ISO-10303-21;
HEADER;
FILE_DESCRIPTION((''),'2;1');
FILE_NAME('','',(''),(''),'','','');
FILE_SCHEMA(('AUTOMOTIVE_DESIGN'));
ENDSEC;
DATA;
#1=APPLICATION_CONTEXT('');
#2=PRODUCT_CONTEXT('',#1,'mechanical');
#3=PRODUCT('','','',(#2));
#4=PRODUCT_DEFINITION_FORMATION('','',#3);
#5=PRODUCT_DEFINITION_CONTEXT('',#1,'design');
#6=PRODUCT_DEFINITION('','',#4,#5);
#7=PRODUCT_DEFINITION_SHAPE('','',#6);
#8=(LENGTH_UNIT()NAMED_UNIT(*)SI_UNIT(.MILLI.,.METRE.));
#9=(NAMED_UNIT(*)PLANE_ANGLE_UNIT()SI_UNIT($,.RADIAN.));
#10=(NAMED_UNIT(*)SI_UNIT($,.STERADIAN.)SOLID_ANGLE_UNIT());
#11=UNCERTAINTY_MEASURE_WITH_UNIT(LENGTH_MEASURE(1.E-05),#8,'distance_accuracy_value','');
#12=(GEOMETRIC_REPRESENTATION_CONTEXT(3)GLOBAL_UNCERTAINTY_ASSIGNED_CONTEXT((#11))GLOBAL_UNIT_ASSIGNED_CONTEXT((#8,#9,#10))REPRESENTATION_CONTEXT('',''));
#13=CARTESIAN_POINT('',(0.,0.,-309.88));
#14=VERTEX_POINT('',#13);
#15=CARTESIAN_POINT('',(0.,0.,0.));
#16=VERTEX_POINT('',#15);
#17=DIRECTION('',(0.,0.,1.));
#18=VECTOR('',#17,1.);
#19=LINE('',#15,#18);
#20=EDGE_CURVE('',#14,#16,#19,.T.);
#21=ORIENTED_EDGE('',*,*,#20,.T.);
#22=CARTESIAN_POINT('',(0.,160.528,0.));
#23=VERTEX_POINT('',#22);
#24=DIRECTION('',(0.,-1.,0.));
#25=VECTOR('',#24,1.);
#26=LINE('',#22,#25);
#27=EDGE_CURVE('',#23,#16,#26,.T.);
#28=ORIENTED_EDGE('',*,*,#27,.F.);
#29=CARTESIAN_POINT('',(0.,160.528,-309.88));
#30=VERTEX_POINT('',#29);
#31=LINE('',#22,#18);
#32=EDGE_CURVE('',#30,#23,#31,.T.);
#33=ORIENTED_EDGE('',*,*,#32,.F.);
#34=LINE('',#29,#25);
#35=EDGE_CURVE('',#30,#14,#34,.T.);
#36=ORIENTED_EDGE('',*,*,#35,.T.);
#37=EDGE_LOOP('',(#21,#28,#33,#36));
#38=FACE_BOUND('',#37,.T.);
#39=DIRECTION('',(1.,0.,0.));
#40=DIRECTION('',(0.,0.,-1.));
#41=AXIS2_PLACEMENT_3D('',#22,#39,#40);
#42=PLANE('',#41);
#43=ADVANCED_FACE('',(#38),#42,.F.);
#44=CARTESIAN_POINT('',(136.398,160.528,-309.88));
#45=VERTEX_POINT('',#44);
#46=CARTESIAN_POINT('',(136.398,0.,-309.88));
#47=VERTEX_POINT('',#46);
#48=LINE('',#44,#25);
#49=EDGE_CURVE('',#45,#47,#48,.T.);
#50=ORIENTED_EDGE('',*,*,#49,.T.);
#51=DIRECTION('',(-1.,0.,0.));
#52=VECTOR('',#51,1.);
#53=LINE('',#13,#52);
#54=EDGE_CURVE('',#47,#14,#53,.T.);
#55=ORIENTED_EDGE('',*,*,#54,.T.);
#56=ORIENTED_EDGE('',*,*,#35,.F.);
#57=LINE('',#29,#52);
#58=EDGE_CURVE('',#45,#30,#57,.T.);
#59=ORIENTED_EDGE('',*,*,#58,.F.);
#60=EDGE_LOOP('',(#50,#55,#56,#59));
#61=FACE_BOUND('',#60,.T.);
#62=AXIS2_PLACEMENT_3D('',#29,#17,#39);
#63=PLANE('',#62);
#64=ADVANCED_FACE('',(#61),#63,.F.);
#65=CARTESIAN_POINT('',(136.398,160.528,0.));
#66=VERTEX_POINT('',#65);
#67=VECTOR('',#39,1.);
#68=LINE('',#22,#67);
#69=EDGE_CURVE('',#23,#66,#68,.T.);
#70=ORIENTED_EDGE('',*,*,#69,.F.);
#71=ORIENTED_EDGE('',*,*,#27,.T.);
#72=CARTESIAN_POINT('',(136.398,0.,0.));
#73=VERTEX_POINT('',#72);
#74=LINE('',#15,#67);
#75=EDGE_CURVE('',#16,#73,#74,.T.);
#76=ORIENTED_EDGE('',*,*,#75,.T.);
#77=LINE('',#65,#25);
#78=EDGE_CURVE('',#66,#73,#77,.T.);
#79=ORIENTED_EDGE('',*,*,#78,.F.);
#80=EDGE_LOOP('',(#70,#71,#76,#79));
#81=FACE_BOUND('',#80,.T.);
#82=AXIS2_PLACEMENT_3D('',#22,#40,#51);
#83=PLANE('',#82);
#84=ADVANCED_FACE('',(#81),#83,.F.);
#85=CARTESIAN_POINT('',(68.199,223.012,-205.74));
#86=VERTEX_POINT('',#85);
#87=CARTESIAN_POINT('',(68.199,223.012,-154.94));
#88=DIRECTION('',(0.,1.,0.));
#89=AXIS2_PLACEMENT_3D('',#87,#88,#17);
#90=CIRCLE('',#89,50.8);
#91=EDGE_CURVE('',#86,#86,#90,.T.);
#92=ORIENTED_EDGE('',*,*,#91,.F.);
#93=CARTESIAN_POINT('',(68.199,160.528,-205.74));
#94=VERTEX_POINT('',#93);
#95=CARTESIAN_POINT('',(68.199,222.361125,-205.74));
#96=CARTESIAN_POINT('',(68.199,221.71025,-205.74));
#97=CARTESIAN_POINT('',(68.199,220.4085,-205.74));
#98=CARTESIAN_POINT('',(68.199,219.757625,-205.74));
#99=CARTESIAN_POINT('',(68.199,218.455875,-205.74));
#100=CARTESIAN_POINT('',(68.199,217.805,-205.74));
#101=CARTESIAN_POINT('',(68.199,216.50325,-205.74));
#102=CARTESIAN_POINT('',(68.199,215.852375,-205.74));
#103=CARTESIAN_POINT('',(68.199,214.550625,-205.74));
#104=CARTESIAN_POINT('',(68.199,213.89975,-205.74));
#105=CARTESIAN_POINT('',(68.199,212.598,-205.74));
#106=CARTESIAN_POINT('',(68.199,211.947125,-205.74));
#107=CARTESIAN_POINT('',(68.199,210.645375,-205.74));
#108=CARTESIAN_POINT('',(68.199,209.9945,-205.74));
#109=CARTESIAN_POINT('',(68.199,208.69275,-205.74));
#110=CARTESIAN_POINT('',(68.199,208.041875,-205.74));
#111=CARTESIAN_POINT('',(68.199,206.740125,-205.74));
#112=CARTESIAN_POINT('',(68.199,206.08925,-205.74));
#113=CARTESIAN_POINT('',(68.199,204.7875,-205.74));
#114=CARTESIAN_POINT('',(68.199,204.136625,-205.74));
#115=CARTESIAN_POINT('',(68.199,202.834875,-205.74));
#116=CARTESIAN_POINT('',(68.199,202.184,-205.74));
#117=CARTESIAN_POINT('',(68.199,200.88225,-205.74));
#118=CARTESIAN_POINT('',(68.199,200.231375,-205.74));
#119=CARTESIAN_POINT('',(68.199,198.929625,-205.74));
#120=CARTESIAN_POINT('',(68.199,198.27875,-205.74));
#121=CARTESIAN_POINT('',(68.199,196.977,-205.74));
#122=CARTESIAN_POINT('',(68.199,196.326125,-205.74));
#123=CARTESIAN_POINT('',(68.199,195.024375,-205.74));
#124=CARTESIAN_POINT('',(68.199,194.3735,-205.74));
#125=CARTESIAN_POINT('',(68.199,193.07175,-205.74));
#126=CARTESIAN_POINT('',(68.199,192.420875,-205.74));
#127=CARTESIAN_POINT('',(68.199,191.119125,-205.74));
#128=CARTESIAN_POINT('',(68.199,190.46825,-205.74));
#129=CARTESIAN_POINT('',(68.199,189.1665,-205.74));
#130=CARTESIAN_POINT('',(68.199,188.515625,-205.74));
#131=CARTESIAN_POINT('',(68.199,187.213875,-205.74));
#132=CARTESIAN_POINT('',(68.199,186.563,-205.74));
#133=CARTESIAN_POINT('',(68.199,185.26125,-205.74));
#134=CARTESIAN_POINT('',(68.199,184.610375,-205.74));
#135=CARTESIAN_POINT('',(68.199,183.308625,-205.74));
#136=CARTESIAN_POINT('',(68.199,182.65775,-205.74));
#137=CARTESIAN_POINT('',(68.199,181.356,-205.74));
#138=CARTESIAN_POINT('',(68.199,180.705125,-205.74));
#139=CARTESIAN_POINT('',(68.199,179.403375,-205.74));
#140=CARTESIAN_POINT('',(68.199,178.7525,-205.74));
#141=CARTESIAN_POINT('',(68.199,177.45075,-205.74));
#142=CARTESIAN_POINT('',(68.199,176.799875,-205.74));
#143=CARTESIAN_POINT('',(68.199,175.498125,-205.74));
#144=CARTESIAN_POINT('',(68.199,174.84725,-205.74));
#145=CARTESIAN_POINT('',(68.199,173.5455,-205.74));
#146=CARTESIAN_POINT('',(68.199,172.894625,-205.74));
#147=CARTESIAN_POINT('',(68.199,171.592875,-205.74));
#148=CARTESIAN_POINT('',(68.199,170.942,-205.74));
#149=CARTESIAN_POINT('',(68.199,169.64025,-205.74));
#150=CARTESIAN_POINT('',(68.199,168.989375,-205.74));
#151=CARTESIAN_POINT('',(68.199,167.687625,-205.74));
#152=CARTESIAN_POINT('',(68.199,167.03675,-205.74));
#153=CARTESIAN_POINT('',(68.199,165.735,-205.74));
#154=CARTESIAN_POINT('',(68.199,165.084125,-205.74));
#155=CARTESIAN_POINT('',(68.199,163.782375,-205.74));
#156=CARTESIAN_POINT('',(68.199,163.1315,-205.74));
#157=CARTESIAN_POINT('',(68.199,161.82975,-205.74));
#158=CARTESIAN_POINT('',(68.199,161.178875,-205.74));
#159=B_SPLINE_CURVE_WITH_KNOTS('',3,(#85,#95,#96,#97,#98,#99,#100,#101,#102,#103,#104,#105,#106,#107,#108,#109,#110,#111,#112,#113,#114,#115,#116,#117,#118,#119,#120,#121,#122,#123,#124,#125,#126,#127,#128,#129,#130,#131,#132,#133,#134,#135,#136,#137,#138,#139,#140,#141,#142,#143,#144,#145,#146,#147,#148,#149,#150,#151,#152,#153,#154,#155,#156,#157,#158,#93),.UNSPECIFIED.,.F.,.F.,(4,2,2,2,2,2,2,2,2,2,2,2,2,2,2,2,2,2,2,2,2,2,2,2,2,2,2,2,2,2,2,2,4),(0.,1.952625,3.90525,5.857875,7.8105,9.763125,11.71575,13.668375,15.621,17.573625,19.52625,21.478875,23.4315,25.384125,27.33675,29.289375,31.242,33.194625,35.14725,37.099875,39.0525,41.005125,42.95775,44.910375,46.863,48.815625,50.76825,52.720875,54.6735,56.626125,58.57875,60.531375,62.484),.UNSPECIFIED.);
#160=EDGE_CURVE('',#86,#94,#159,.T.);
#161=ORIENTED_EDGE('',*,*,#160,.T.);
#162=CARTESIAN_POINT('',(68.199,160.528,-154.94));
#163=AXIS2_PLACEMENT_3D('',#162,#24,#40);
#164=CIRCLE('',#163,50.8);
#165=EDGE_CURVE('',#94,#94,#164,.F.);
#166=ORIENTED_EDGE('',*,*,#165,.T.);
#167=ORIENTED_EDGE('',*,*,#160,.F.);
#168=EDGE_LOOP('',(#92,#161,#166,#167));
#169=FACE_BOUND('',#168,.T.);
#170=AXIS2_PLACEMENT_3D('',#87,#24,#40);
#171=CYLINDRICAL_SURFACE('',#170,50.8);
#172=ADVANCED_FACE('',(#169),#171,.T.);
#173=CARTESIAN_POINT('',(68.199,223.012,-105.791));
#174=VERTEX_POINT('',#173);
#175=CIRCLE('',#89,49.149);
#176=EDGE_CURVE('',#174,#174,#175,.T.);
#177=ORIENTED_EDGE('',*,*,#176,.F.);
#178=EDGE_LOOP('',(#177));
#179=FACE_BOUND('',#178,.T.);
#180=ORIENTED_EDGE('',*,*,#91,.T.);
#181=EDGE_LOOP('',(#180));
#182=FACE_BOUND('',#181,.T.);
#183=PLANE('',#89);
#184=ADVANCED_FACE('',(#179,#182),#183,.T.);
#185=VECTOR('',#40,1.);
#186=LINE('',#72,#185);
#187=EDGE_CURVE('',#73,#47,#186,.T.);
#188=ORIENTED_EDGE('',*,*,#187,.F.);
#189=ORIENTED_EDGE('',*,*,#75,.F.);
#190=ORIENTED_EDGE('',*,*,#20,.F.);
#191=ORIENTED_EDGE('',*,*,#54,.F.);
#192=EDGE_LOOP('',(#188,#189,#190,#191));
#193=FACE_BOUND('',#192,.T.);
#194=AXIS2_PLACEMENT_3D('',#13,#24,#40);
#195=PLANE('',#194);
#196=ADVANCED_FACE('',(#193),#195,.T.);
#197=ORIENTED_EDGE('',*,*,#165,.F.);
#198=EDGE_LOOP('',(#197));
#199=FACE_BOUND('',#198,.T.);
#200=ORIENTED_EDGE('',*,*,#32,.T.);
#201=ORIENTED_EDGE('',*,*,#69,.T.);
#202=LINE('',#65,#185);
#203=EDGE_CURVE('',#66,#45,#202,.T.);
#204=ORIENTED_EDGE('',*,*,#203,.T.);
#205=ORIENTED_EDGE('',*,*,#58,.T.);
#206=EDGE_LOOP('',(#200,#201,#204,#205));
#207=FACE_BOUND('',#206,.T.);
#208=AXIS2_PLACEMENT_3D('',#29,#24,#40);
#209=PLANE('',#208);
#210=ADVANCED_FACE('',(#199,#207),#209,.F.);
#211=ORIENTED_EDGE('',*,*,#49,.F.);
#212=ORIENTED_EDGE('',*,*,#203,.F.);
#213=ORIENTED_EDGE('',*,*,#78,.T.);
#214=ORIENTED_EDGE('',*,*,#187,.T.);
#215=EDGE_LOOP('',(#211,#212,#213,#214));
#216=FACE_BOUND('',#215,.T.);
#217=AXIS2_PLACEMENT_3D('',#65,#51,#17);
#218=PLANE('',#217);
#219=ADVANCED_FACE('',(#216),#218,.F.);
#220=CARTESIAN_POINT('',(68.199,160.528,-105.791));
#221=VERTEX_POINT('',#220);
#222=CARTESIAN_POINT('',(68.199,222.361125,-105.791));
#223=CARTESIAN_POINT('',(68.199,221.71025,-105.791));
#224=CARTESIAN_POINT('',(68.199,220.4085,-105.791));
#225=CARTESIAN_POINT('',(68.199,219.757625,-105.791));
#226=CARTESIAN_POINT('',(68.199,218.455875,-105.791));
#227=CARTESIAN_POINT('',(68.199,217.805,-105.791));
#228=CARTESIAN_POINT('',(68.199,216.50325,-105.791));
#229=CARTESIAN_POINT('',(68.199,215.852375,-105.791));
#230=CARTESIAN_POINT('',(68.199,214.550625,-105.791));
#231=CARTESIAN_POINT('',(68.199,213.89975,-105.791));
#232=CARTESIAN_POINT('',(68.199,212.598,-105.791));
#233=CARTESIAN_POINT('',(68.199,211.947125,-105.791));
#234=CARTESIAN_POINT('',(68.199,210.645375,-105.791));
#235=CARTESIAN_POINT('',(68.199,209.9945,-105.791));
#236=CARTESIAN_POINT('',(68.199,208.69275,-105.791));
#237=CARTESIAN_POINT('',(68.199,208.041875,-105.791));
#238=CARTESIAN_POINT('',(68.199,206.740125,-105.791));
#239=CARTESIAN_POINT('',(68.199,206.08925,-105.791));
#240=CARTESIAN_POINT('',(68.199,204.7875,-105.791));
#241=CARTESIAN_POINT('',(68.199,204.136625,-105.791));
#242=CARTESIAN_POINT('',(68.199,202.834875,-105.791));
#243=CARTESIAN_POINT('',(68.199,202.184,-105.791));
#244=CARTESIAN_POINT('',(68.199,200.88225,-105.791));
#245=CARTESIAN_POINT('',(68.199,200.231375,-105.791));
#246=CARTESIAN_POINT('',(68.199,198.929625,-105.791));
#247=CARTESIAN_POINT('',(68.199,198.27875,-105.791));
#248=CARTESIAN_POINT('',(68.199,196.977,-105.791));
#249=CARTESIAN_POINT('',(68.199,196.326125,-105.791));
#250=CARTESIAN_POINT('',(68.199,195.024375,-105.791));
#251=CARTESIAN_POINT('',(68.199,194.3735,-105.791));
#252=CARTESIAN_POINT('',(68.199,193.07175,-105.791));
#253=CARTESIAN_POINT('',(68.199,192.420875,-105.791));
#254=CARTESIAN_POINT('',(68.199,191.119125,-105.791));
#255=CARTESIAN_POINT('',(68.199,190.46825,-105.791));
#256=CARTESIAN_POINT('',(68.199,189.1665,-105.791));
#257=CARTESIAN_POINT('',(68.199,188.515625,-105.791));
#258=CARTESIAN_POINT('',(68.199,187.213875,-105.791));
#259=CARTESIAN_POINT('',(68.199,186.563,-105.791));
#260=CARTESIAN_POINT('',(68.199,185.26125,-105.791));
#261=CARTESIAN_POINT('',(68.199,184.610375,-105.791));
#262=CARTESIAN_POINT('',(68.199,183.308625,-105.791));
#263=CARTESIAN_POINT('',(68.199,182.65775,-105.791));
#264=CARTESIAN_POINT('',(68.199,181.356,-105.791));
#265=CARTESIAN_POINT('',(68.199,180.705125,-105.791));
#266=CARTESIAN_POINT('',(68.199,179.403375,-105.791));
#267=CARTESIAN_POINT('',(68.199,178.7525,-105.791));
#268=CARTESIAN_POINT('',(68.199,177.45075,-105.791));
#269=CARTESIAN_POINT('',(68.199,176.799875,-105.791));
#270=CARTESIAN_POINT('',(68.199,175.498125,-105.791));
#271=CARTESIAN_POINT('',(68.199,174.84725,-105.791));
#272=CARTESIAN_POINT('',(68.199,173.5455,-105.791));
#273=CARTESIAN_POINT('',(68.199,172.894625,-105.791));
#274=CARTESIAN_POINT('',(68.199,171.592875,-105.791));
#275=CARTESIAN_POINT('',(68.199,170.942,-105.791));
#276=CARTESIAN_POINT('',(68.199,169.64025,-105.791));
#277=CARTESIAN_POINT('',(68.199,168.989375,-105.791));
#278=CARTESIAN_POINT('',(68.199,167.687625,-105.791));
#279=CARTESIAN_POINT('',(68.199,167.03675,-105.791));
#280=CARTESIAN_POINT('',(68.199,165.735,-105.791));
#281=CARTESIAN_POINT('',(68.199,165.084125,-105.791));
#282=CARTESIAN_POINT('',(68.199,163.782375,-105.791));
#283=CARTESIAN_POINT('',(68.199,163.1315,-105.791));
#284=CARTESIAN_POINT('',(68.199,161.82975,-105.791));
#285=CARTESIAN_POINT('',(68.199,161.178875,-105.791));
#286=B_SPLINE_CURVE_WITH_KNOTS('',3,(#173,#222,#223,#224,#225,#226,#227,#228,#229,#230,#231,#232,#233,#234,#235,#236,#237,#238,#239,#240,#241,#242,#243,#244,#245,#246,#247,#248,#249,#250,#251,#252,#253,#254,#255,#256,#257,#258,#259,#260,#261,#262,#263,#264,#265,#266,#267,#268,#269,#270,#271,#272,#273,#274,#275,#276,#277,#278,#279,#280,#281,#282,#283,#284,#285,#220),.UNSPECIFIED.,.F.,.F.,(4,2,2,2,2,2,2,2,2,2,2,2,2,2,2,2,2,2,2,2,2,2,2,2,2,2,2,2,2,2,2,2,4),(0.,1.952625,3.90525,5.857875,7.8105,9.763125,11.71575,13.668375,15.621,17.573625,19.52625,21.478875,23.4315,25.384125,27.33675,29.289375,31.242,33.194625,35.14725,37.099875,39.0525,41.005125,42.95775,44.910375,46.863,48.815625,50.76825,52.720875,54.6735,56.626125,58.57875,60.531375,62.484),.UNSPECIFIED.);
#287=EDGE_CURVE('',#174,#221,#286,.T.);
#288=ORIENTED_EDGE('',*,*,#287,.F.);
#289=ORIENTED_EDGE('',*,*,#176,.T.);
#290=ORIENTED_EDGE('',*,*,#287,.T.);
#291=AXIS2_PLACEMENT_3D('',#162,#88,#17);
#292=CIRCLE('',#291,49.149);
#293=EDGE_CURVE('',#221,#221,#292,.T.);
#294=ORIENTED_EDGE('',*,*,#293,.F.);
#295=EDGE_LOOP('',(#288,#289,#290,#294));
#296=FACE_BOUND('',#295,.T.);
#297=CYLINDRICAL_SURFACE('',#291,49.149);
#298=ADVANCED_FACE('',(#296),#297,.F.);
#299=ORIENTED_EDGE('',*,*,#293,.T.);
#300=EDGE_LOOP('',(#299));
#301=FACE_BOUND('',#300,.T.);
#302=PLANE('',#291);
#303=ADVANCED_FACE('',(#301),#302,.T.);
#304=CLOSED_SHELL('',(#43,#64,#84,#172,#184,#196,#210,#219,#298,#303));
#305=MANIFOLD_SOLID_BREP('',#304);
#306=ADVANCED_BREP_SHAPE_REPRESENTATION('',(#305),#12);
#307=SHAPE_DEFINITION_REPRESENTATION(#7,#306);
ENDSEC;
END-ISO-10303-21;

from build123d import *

# Parameters (mm, degrees)
SKETCH1_W               = 136.398
SKETCH1_H               = 309.88
EXTRUDE2_DEPTH          = 160.528
SKETCH3_R               = 50.8
EXTRUDE3_DEPTH          = 62.484
CUT_EXTRUDE1_DEPTH      = 19.05
CUT_EXTRUDE1_DEPTH_BACK = 62.484
SKETCH5_R               = 49.149


with BuildPart() as part:
    # Sketch1 → Extrude2 (new body)
    with BuildSketch(Plane(origin=(0, 0, 0), x_dir=(1, 0, 0), z_dir=(0, 1, 0))):
        with Locations((68.199, 154.94)):
            Rectangle(SKETCH1_W, SKETCH1_H)
    extrude(amount=EXTRUDE2_DEPTH)

    # Sketch3 → Extrude3 (add)
    with BuildSketch(Plane(origin=(0, 160.528, 0), x_dir=(-1, 0, 0), z_dir=(0, 1, 0))):
        with Locations(Location((-68.199, -154.94, 0), (0, 0, 270))):
            Circle(SKETCH3_R)
    extrude(amount=EXTRUDE3_DEPTH)

    # Sketch5 → Cut-Extrude1 (cut, two sides: drawn at the far end of the back side and taken through both)
    with BuildSketch(Plane(origin=(0, 223.012, 0), x_dir=(-1, 0, 0), z_dir=(0, 1, 0)).offset(-CUT_EXTRUDE1_DEPTH_BACK)):
        with Locations(Location((-68.199, -154.94, 0), (0, 0, 90))):
            Circle(SKETCH5_R)
    extrude(amount=CUT_EXTRUDE1_DEPTH + CUT_EXTRUDE1_DEPTH_BACK, mode=Mode.SUBTRACT)


solid = part.part
